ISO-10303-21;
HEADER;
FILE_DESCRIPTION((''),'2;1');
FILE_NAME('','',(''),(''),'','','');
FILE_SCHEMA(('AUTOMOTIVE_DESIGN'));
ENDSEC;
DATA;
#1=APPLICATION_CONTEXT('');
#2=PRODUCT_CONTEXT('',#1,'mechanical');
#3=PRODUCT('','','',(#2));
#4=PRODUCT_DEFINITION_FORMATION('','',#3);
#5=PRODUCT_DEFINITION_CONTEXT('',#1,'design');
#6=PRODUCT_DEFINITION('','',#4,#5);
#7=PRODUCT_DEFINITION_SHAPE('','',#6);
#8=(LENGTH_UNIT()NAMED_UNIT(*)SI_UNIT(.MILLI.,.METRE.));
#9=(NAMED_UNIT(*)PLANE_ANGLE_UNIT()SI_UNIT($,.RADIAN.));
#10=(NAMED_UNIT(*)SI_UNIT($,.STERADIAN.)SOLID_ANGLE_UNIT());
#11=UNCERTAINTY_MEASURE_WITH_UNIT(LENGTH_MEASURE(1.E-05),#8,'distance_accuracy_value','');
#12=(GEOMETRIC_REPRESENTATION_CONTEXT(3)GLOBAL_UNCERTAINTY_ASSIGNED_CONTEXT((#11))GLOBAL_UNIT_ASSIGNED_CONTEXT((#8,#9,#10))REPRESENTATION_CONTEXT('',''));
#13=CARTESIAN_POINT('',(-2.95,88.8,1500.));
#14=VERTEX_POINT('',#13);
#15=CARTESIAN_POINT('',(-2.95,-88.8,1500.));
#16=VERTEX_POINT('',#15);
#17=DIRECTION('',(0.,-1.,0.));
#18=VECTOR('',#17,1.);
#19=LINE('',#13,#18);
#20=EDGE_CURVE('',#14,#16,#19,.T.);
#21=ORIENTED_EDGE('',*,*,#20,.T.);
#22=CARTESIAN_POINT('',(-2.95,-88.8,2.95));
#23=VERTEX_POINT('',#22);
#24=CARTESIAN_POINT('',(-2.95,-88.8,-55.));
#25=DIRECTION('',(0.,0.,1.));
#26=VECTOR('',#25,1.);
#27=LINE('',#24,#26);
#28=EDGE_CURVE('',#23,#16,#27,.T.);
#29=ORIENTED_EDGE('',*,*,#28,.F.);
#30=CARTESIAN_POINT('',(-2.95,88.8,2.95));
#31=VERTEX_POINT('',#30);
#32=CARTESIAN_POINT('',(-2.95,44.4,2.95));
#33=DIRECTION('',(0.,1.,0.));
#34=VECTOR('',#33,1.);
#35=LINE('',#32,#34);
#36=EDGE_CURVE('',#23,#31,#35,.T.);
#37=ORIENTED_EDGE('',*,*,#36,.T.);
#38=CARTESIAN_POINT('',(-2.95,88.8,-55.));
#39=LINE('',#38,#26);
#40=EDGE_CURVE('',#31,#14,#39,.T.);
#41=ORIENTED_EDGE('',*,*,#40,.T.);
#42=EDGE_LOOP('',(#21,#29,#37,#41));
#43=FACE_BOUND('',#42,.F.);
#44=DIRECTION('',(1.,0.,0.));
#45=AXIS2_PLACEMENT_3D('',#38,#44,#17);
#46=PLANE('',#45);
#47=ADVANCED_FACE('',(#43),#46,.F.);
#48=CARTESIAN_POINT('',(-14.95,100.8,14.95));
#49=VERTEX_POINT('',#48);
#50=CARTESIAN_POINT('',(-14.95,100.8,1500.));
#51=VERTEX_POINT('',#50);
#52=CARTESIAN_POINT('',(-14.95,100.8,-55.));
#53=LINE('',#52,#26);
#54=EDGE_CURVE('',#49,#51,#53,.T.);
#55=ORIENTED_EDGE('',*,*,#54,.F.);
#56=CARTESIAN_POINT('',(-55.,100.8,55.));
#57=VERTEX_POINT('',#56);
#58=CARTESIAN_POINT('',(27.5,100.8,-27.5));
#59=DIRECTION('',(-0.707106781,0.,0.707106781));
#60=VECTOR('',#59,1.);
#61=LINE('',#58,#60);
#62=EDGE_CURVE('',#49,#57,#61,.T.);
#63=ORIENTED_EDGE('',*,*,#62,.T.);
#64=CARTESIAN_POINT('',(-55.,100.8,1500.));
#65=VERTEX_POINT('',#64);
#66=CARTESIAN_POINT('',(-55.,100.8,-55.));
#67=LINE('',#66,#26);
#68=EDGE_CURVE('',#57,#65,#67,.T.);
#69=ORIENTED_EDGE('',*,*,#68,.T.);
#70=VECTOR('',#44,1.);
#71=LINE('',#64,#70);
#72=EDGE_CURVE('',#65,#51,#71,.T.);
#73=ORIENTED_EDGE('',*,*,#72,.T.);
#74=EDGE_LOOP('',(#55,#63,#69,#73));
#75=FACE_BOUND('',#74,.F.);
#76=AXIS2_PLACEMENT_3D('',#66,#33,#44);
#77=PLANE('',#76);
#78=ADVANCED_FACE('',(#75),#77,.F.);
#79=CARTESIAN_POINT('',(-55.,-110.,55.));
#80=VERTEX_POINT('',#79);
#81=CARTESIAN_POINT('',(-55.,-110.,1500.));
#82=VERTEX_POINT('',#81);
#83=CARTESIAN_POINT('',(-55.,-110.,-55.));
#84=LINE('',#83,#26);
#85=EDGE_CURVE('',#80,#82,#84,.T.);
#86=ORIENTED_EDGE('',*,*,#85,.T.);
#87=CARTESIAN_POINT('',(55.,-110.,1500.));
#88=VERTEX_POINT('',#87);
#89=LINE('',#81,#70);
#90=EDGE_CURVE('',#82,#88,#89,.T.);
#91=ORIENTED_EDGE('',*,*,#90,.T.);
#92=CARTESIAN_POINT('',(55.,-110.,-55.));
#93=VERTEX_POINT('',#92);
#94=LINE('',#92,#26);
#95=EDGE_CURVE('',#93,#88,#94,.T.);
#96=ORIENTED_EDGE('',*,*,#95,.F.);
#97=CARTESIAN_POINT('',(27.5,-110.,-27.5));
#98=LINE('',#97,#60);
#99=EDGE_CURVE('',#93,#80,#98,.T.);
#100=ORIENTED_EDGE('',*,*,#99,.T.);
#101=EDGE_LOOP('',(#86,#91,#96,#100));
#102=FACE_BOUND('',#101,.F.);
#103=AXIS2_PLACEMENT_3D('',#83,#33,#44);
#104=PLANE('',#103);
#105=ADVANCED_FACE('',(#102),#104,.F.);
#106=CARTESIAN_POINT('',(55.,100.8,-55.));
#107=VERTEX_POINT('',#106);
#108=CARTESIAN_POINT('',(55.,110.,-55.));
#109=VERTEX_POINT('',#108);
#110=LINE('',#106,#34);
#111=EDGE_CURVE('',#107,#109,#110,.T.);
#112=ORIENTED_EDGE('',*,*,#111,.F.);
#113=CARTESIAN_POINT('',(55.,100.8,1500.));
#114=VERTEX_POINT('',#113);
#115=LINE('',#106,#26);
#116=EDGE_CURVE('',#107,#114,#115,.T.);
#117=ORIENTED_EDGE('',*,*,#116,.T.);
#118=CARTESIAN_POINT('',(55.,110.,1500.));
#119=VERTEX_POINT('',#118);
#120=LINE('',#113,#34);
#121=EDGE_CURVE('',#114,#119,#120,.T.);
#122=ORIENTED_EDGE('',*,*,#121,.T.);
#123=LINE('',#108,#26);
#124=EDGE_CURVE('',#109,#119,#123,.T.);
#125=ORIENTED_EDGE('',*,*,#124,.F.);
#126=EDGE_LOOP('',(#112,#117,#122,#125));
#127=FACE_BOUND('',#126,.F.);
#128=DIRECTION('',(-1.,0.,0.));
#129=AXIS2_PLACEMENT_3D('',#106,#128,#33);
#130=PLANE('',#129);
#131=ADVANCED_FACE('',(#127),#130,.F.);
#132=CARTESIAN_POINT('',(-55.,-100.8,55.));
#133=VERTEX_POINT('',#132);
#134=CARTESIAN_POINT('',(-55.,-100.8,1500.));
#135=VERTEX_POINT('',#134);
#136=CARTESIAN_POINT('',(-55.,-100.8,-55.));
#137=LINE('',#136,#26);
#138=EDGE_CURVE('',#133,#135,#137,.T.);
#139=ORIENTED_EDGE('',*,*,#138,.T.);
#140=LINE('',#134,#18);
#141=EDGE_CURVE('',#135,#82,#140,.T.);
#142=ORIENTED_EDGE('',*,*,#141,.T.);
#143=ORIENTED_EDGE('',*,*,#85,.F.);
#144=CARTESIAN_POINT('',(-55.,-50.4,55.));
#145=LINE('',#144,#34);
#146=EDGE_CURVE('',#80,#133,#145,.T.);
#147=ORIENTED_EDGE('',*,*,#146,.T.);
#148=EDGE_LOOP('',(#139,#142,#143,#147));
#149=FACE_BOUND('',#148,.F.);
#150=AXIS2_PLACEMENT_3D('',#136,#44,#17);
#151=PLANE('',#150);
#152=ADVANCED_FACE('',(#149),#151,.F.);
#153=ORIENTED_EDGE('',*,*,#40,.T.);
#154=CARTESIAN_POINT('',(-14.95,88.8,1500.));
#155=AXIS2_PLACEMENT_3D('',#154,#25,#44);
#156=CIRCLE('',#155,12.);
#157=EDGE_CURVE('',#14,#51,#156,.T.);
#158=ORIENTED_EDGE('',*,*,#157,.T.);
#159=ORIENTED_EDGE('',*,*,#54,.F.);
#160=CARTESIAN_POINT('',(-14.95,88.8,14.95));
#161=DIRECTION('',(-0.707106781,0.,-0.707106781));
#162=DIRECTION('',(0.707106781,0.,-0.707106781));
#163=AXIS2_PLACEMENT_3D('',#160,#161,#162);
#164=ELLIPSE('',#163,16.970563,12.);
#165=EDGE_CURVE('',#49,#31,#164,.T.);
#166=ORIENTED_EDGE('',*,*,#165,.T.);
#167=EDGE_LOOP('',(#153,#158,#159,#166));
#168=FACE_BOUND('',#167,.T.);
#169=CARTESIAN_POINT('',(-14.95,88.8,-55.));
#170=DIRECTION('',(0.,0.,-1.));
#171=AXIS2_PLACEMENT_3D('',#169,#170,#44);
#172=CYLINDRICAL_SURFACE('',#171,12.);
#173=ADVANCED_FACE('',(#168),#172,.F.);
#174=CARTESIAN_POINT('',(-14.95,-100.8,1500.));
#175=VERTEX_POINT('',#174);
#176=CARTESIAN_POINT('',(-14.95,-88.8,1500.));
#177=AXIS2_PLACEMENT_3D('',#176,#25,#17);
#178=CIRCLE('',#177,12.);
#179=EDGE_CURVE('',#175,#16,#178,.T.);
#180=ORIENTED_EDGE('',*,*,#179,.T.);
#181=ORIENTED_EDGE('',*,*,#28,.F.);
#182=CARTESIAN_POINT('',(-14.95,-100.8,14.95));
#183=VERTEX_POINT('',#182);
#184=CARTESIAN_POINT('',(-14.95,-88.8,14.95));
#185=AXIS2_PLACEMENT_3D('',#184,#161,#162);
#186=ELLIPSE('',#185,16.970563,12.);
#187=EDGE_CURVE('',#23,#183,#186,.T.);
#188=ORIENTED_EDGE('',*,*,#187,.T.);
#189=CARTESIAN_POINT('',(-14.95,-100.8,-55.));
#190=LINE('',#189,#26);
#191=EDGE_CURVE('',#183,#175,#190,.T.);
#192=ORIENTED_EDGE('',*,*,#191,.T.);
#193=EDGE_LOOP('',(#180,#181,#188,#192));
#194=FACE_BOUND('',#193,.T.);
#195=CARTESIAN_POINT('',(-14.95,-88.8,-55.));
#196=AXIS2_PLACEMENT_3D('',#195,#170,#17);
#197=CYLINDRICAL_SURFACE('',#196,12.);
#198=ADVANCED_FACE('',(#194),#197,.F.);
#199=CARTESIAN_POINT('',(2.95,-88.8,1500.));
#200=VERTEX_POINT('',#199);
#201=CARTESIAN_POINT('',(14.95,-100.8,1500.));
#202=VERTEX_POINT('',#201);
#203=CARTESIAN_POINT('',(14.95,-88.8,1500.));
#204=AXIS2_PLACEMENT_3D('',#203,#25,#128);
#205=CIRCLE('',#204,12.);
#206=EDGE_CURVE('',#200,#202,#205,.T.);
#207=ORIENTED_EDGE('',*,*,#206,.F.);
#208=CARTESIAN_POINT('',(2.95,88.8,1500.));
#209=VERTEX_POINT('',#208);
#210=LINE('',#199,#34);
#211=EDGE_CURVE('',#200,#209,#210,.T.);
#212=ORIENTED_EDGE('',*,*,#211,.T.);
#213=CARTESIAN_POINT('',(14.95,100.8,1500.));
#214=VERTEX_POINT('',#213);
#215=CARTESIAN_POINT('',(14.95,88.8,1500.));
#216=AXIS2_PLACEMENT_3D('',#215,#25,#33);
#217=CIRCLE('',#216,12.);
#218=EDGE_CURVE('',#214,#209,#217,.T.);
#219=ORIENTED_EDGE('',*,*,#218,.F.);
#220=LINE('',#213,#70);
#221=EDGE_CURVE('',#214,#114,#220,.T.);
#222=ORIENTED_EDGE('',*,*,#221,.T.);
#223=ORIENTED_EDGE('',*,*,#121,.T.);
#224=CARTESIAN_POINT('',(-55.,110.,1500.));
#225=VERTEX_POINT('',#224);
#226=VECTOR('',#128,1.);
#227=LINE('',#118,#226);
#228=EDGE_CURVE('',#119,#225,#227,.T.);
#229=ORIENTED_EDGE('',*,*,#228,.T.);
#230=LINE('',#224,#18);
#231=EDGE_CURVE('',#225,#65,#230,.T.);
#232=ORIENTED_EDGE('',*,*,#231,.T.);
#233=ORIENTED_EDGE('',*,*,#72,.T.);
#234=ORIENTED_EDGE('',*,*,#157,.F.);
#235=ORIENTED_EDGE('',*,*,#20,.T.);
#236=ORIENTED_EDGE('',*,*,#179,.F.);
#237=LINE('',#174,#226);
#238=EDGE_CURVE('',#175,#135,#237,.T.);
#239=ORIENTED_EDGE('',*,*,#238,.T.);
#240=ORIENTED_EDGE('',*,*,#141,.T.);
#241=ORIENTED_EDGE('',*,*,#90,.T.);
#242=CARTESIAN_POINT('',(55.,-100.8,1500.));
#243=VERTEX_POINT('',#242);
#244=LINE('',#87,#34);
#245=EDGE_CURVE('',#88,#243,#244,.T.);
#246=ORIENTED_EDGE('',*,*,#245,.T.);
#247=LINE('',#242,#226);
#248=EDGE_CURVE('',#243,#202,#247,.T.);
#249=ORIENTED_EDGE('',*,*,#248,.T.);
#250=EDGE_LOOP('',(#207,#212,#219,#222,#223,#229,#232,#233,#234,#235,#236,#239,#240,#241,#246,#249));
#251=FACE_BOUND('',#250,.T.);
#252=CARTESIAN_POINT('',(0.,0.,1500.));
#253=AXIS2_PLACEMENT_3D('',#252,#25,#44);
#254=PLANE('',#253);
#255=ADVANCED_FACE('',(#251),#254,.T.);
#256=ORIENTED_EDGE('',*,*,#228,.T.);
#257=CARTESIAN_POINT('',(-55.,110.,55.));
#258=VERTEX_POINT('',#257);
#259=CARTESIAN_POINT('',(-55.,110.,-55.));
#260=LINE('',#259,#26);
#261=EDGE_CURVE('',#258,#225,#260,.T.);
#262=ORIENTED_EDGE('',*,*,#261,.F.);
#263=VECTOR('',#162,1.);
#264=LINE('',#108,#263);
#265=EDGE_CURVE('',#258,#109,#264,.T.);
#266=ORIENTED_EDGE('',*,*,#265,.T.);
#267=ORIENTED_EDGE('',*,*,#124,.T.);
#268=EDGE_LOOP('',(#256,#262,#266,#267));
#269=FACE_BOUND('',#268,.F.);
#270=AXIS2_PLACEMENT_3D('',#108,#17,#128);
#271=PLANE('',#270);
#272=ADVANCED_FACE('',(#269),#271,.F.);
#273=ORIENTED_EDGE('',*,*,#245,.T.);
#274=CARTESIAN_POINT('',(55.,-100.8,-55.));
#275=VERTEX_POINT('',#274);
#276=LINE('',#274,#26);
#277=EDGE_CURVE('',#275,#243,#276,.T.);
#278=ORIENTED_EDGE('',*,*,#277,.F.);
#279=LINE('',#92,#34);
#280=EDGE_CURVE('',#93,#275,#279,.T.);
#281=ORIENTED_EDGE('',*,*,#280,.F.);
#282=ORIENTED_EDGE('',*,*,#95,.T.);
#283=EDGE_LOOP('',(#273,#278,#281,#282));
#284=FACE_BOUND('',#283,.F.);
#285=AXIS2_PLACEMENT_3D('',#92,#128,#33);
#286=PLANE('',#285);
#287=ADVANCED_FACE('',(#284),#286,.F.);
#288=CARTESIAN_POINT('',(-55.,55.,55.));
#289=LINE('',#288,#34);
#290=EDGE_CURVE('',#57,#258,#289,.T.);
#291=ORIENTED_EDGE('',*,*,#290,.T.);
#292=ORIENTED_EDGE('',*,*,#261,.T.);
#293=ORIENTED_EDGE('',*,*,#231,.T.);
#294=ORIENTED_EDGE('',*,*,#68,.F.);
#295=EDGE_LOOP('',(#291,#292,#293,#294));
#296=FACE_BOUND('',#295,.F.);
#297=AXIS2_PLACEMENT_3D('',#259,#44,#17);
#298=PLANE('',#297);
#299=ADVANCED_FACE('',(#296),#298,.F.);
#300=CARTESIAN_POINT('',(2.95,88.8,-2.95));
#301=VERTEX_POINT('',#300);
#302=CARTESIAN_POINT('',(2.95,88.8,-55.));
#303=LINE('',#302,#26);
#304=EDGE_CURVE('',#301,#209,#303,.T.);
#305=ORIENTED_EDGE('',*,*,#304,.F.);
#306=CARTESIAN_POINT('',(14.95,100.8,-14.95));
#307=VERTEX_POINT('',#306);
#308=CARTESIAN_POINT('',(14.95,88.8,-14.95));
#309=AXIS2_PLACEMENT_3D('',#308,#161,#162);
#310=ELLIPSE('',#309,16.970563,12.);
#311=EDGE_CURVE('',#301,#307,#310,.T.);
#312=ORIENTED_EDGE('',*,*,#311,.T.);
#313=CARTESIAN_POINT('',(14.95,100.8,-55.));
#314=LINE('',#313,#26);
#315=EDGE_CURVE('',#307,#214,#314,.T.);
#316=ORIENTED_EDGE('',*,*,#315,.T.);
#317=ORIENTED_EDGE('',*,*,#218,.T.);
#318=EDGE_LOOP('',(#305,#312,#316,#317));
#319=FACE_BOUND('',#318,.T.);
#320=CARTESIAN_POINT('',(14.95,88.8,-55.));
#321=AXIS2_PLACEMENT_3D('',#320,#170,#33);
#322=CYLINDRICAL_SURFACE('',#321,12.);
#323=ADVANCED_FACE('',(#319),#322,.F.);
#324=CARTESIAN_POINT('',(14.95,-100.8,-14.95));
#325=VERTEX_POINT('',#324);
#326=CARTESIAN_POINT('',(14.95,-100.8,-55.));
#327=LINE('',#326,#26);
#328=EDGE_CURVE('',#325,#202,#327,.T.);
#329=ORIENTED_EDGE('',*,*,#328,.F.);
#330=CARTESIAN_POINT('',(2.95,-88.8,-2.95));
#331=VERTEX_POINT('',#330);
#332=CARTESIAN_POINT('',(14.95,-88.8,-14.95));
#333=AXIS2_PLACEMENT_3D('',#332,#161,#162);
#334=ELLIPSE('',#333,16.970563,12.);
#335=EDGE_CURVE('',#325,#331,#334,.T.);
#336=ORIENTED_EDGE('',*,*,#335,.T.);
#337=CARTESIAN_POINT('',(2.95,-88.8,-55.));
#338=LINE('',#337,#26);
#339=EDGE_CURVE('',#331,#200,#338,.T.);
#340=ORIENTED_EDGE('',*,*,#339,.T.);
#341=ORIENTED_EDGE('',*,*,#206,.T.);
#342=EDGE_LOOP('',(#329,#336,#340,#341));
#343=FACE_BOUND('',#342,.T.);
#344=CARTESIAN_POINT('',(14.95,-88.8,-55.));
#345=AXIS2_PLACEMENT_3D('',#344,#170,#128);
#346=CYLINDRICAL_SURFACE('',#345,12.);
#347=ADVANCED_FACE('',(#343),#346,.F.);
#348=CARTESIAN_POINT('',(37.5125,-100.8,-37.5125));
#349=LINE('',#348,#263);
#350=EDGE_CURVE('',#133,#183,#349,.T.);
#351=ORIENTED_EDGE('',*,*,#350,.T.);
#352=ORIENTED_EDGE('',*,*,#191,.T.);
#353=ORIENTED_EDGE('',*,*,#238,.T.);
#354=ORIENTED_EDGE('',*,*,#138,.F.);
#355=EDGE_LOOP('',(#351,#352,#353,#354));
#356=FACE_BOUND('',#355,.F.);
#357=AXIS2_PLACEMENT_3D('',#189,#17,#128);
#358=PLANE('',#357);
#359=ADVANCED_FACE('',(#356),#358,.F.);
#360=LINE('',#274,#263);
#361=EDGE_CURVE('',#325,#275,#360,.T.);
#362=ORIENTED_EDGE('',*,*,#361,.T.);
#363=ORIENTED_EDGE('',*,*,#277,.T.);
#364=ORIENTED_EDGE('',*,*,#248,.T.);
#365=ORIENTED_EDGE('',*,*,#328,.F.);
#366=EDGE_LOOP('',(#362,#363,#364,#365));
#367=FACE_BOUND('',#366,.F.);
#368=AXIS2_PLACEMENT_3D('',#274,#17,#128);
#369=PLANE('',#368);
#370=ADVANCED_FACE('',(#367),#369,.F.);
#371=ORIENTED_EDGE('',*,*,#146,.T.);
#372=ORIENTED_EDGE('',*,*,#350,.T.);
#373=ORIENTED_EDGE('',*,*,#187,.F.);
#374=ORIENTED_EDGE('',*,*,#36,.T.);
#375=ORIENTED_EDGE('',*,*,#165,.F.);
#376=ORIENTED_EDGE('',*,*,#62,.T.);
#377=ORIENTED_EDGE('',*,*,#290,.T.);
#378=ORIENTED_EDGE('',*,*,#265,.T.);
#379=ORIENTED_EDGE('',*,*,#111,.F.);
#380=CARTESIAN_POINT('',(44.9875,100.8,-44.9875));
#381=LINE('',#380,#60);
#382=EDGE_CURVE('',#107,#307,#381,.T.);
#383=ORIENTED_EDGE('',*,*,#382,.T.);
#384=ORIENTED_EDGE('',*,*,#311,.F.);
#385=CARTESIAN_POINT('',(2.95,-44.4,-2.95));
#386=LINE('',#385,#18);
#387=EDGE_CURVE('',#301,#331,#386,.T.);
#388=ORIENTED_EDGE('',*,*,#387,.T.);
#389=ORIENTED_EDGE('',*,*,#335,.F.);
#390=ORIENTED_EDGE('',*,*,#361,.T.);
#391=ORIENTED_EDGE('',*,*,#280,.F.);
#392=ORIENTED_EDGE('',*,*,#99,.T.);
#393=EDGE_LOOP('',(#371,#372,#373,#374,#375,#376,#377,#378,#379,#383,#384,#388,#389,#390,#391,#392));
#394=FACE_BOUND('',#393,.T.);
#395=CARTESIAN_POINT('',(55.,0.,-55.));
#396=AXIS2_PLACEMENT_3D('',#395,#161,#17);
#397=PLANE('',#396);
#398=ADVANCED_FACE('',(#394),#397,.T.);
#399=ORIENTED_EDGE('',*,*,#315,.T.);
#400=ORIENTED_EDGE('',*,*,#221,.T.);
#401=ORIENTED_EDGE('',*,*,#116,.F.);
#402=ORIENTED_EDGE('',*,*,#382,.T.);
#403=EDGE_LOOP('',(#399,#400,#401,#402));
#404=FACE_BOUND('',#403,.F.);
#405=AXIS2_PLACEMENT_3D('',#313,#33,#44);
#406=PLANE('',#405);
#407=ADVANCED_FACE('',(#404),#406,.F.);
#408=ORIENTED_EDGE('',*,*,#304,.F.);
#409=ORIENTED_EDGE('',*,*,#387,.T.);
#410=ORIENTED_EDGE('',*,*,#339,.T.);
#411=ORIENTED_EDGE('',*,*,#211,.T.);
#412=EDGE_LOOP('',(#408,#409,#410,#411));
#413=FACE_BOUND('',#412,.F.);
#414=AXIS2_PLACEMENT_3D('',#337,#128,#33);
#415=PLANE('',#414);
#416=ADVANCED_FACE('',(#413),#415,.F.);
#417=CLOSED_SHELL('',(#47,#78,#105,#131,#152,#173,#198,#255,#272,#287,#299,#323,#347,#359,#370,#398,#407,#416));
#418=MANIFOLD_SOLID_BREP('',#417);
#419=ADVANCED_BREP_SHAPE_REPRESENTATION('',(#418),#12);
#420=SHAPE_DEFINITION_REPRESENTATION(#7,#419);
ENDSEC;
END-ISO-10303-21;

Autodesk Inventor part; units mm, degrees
ref_plane "Start plane" through (0, 0, -55) normal (0, 0, 1) x (1, 0, 0)
ref_plane "End plane" through (0, 0, 1500) normal (0, 0, 1) x (1, 0, 0)
sketch "Sketch2" plane through (0, 0, 0) normal (0, 0, 1) x (1, 0, 0)
  line L0 (-55, 100.8) -> (-14.95, 100.8)
  line L1 (-55, 110) -> (-55, 100.8)
  line L2 (55, 110) -> (-55, 110)
  line L3 (55, 100.8) -> (55, 110)
  line L4 (14.95, 100.8) -> (55, 100.8)
  line L5 (2.95, -88.8) -> (2.95, 88.8)
  line L6 (55, -100.8) -> (14.95, -100.8)
  line L7 (55, -110) -> (55, -100.8)
  line L8 (-55, -100.8) -> (-55, -110)
  line L9 (-14.95, -100.8) -> (-55, -100.8)
  line L10 (-2.95, 88.8) -> (-2.95, -88.8)
  line L11 (0, -154) -> (0, 154) construction
  line L12 (-2.95, -100.8) -> (2.95, -100.8) construction
  arc A0 (-14.95, -100.8) -> (-2.95, -88.8) centre (-14.95, -88.8) ccw
  arc A1 (-2.95, 88.8) -> (-14.95, 100.8) centre (-14.95, 88.8) ccw
  arc A2 (14.95, 100.8) -> (2.95, 88.8) centre (14.95, 88.8) ccw
  arc A3 (2.95, -88.8) -> (14.95, -100.8) centre (14.95, -88.8) ccw
  line L13 (-77, 0) -> (77, 0) construction
  line L14 (-55, -110) -> (55, -110)
  point P0 (-2.95, 100.8)
  point P1 (2.95, 100.8)
  point P2 (0, 0)
  point P3 (0, -100.8)
  point P4 (0, 0)
  dimension "d1" = 220
  dimension "d3" = 9.2
  dimension "d5" = 5.9
  dimension "d7" = 110
  dimension "d13" = 12
  dimension "d14" = 110
  dimension "d15" = 55
extrude "Body" add sketch "Sketch2" along normal up to surface (1555 mm away) from surface at -55
sketch "Sketch3" plane through (0, 0, 0) normal (0, 0, 1) x (1, 0, 0)
  line L0 (0, 0) -> (10, 0)
ref_plane "Work Plane3" through (0, 0, 0) normal (0, -1, 0) x (1, 0, 0)
ref_plane "Work Plane4" through (55, 0, -55) normal (-0.7071, 0, -0.7071) x (-0.7071, 0, 0.7071)
split "Split1" plane through (55, 0, -55) removes the side toward (-0.7071, 0, -0.7071)
sketch "Sketch4" plane through (0, 0, 0) normal (0, -1, 0) x (1, 0, 0)
  line L0 (-2, -55) -> (12, -55) projected
  line L1 (-2, 1500) -> (12, 1500) projected
  dimension "d19" = 1555
equation "\"d1\" = ParH"
equation "\"d3\" = t2"
equation "\"d5\" = t1"
equation "\"d7\" = b"
equation "\"d13\" = R1"
equation "\"d14\" = 0.5 * d1"
equation "\"d15\" = 0.5 * d7"
equation "\"d8\" = G_L"
equation "\"b\" = 110"
equation "\"ParH\" = 220"
equation "\"R1\" = 12"
equation "\"G_L\" = d19"
equation "\"t1\" = 5.9"
equation "\"t2\" = 9.2"
equation "\"G_OFFSET_START\" = 55"
equation "\"G_OFFSET_END\" = 0"
equation "\"d16\" = -G_OFFSET_START"
properties part number "DIN 1025 - IPE 220-1555" material "Steel, Mild"
